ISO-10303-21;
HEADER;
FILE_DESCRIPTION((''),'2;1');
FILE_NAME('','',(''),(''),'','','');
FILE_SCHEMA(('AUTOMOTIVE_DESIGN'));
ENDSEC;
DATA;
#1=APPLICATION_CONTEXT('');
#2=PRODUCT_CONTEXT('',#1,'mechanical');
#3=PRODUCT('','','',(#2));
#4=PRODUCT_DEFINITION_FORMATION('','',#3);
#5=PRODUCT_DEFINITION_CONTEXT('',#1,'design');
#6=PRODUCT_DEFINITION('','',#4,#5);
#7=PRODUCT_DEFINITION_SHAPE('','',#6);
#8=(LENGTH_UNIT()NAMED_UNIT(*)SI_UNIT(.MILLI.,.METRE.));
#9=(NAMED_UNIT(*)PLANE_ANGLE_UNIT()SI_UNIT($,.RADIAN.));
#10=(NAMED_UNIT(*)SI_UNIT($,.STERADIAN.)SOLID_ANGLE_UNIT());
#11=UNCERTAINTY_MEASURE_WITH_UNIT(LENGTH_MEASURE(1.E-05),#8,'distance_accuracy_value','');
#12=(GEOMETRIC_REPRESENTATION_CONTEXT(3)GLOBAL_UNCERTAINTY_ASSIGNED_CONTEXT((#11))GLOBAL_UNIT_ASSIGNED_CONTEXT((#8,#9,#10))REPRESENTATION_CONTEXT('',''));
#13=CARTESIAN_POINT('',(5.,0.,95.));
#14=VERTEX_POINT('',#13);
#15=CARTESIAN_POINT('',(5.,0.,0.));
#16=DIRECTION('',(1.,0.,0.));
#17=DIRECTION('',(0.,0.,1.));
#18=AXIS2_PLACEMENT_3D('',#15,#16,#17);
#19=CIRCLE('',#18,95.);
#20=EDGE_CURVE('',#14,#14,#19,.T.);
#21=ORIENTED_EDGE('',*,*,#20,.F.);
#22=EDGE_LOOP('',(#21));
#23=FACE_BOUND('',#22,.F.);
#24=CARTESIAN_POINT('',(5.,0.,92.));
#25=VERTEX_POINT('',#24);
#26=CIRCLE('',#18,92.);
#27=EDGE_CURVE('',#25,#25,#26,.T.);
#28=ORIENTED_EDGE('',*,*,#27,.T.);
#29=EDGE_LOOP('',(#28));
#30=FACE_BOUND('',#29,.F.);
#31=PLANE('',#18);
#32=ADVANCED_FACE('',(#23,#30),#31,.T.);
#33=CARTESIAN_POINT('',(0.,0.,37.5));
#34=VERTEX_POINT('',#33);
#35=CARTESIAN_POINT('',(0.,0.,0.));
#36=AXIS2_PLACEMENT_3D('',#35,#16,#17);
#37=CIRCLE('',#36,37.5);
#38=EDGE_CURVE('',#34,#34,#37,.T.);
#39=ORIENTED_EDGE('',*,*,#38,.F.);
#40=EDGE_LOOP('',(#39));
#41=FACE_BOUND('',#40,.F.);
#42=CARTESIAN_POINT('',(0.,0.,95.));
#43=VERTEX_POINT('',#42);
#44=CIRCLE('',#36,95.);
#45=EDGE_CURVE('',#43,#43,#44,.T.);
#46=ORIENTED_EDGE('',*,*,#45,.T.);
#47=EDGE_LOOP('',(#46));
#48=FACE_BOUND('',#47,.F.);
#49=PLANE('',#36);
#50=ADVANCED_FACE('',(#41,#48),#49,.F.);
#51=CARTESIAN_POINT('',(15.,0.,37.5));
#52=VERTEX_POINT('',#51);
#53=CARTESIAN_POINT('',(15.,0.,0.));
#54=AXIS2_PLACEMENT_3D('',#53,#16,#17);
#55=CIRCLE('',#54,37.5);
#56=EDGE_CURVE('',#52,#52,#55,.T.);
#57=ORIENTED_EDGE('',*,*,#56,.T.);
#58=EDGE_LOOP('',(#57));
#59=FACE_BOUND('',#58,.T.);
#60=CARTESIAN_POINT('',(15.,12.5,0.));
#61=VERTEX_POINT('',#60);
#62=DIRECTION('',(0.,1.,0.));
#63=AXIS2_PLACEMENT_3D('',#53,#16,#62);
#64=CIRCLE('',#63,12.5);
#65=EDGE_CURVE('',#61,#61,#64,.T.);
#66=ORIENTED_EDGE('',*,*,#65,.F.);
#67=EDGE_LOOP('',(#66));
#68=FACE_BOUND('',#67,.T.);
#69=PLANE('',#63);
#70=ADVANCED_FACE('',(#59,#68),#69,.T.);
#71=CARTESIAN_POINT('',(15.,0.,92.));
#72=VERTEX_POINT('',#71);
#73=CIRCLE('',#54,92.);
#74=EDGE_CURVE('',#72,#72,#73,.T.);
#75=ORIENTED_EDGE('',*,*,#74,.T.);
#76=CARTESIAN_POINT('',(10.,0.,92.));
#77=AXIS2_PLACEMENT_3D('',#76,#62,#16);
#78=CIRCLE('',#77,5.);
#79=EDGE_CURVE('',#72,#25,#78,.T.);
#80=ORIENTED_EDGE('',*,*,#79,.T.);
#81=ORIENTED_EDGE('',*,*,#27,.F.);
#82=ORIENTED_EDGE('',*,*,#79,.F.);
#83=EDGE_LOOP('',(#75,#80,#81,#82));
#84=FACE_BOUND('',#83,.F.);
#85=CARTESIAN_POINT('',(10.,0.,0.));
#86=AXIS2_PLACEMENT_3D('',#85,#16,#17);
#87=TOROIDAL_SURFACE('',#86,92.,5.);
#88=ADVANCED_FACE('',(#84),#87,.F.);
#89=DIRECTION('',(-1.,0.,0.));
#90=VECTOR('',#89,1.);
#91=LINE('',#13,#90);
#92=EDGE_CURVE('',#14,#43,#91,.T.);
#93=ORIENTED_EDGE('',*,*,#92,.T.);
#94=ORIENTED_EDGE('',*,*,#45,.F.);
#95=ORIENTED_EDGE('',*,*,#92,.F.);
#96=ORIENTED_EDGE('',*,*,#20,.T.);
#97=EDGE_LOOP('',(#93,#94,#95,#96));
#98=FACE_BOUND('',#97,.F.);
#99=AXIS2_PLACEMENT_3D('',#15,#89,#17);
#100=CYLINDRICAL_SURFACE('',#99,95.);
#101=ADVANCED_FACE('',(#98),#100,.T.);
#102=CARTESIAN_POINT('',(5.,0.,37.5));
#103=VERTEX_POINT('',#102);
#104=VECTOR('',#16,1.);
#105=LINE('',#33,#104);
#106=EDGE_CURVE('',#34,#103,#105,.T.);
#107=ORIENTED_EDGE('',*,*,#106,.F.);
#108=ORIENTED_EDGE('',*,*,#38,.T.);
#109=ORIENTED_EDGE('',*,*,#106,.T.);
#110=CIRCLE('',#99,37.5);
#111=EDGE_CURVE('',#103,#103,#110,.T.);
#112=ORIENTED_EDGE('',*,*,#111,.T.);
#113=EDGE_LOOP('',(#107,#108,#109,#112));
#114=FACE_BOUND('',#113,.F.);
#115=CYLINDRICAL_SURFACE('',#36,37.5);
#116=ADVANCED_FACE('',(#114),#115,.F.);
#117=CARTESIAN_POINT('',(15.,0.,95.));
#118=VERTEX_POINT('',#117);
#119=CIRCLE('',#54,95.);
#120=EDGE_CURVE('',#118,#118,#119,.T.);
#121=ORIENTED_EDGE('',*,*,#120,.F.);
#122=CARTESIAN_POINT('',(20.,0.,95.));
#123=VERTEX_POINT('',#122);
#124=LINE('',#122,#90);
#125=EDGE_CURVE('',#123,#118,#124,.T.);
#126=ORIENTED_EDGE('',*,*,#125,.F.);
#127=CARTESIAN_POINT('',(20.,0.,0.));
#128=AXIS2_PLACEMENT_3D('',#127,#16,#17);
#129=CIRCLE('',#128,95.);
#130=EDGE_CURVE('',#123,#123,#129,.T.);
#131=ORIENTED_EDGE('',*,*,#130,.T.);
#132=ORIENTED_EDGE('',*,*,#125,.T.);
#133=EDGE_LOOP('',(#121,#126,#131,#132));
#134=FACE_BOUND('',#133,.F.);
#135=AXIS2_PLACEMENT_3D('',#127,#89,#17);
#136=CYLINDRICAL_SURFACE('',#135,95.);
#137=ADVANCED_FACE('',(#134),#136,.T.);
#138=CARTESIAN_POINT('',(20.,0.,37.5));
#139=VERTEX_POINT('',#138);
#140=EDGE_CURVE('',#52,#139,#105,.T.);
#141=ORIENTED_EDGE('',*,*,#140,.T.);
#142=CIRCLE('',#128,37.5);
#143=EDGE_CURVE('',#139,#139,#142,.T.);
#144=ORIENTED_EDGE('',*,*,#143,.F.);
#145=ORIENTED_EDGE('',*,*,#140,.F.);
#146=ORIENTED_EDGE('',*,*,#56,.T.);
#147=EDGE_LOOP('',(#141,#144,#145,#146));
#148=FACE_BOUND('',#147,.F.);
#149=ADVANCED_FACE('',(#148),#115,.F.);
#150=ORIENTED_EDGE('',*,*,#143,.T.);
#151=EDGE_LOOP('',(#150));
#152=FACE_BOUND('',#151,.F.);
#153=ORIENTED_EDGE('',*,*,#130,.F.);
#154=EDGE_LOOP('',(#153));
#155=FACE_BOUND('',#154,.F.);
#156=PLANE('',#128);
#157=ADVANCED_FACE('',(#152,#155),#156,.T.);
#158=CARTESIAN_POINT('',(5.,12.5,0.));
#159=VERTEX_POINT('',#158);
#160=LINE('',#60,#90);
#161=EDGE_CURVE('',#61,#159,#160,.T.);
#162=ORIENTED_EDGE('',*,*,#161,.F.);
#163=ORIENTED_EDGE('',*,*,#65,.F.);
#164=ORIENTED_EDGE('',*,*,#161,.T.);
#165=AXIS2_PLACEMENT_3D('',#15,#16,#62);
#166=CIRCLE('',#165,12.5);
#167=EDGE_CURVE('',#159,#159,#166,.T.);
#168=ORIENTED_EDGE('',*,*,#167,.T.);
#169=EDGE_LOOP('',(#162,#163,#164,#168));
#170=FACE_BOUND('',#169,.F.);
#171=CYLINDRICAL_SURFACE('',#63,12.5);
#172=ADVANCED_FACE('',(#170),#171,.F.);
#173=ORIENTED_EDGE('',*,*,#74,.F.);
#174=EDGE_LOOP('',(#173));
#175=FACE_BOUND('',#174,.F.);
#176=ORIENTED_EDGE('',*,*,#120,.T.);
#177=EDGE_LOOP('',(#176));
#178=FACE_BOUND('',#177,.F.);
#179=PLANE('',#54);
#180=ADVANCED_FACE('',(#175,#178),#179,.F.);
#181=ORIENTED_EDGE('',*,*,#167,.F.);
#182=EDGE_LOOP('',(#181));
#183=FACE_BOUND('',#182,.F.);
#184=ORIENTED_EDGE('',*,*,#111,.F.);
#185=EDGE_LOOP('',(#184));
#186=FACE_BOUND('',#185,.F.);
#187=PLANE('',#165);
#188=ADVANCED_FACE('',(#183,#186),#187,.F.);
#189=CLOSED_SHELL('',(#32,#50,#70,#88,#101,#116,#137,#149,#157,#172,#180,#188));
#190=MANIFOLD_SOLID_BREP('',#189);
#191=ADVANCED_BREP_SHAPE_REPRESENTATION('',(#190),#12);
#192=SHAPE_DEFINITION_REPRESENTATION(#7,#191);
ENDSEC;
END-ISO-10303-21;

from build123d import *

# Parameters (mm, degrees)
F3_START = -5
F2_R     = 37.5
F2_R_2   = 12.5
F3_DEPTH = 10


with BuildPart() as f1:
    # F0 (on Front) → F1 (revolve)
    with BuildSketch(Plane.XZ):
        with BuildLine():
            Line((0, 95), (0, 37.5))
            Line((0, 37.5), (20, 37.5))
            Line((20, 37.5), (20, 95))
            Line((20, 95), (15, 95))
            Line((15, 95), (15, 92))
            ThreePointArc((15, 92), (10, 87), (5, 92))
            Line((5, 92), (5, 95))
            Line((5, 95), (0, 95))
        make_face()
    revolve(axis=Axis((28.1461849809, 0, 0), (1, 0, 0)))

    # F2 (on face) → F3 (join)
    with BuildSketch(Plane.YZ.offset(20).offset(F3_START)):
        Circle(F2_R)
        Circle(F2_R_2, mode=Mode.SUBTRACT)
    extrude(amount=-F3_DEPTH)


solid = f1.part
